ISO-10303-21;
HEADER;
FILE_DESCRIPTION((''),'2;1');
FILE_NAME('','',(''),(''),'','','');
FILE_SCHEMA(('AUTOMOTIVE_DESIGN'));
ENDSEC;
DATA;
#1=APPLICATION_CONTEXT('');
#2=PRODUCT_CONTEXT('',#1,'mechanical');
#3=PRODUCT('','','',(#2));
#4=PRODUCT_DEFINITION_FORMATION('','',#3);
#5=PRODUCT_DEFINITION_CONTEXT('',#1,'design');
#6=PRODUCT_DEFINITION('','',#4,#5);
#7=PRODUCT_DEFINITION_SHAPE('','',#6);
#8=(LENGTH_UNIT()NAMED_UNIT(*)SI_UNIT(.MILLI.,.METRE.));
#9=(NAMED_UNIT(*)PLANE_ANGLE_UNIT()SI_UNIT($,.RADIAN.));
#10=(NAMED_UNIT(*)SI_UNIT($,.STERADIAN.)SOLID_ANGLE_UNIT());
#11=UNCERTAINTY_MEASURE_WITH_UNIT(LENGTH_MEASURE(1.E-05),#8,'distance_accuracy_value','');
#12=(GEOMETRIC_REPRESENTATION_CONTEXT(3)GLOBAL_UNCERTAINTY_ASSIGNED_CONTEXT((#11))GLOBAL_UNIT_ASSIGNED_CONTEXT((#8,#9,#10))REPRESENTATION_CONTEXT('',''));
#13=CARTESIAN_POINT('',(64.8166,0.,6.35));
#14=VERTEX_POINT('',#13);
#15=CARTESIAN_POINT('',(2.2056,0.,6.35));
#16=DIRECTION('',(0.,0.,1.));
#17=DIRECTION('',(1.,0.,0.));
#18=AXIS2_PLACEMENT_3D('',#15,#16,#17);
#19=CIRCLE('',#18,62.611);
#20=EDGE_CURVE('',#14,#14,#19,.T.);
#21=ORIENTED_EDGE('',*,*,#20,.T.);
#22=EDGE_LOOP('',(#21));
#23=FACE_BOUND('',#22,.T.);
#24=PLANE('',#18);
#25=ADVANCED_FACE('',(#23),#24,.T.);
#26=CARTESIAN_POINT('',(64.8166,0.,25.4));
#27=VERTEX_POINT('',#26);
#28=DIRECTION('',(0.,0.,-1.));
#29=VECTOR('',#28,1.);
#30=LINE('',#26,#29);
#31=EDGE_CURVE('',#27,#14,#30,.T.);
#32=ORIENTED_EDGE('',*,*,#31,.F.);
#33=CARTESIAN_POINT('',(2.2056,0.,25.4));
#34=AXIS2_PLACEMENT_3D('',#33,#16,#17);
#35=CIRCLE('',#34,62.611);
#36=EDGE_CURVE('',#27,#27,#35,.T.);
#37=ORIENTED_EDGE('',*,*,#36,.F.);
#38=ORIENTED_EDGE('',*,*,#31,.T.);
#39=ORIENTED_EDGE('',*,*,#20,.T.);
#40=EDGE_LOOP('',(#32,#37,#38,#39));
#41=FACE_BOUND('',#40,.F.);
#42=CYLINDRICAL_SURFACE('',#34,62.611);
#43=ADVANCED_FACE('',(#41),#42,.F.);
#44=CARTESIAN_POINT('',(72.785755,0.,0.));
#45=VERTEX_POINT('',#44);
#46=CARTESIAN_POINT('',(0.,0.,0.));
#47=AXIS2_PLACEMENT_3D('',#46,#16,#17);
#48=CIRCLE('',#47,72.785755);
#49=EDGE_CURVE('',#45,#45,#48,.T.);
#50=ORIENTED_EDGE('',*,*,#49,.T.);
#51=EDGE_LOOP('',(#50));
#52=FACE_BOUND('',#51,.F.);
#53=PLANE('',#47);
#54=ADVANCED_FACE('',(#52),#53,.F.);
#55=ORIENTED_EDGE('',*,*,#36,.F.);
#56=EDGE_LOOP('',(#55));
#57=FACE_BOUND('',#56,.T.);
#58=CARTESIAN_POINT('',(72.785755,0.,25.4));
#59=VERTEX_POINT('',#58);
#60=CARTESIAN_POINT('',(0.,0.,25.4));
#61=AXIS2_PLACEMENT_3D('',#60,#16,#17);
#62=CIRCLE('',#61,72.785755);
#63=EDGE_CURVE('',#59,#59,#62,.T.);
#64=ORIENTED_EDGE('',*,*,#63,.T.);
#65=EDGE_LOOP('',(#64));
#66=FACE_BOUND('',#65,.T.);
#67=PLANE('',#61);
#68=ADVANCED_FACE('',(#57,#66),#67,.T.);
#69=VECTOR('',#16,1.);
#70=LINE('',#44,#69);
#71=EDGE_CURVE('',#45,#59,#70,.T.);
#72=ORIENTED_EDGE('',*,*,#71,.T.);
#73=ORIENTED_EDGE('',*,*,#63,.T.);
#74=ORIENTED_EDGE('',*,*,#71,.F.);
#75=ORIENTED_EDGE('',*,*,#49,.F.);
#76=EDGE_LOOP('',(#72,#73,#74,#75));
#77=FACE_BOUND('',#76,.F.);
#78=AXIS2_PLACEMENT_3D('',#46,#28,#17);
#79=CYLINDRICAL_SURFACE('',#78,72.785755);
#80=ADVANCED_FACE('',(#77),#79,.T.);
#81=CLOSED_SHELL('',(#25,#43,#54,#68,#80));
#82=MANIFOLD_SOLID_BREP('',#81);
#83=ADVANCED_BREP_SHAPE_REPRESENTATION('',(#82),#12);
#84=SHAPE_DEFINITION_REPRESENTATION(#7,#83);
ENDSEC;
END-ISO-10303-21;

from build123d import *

# Parameters (mm, degrees)
F0_R     = 72.785755
F0_R_2   = 56.566721
F1_DEPTH = 25.4
F2_R     = 62.611
F3_DEPTH = 19.05


with BuildPart() as f1:
    # F0 (on Top) → F1 (new body)
    with BuildSketch(Plane.XY):
        Circle(F0_R)
        Circle(F0_R_2, mode=Mode.SUBTRACT)
        Circle(F0_R_2)
    extrude(amount=F1_DEPTH)

    # F2 (on face) → F3 (cut)
    with BuildSketch(Plane.XY.offset(25.4)):
        with Locations((2.2056, 0)):
            Circle(F2_R)
    extrude(amount=-F3_DEPTH, mode=Mode.SUBTRACT)


solid = f1.part
